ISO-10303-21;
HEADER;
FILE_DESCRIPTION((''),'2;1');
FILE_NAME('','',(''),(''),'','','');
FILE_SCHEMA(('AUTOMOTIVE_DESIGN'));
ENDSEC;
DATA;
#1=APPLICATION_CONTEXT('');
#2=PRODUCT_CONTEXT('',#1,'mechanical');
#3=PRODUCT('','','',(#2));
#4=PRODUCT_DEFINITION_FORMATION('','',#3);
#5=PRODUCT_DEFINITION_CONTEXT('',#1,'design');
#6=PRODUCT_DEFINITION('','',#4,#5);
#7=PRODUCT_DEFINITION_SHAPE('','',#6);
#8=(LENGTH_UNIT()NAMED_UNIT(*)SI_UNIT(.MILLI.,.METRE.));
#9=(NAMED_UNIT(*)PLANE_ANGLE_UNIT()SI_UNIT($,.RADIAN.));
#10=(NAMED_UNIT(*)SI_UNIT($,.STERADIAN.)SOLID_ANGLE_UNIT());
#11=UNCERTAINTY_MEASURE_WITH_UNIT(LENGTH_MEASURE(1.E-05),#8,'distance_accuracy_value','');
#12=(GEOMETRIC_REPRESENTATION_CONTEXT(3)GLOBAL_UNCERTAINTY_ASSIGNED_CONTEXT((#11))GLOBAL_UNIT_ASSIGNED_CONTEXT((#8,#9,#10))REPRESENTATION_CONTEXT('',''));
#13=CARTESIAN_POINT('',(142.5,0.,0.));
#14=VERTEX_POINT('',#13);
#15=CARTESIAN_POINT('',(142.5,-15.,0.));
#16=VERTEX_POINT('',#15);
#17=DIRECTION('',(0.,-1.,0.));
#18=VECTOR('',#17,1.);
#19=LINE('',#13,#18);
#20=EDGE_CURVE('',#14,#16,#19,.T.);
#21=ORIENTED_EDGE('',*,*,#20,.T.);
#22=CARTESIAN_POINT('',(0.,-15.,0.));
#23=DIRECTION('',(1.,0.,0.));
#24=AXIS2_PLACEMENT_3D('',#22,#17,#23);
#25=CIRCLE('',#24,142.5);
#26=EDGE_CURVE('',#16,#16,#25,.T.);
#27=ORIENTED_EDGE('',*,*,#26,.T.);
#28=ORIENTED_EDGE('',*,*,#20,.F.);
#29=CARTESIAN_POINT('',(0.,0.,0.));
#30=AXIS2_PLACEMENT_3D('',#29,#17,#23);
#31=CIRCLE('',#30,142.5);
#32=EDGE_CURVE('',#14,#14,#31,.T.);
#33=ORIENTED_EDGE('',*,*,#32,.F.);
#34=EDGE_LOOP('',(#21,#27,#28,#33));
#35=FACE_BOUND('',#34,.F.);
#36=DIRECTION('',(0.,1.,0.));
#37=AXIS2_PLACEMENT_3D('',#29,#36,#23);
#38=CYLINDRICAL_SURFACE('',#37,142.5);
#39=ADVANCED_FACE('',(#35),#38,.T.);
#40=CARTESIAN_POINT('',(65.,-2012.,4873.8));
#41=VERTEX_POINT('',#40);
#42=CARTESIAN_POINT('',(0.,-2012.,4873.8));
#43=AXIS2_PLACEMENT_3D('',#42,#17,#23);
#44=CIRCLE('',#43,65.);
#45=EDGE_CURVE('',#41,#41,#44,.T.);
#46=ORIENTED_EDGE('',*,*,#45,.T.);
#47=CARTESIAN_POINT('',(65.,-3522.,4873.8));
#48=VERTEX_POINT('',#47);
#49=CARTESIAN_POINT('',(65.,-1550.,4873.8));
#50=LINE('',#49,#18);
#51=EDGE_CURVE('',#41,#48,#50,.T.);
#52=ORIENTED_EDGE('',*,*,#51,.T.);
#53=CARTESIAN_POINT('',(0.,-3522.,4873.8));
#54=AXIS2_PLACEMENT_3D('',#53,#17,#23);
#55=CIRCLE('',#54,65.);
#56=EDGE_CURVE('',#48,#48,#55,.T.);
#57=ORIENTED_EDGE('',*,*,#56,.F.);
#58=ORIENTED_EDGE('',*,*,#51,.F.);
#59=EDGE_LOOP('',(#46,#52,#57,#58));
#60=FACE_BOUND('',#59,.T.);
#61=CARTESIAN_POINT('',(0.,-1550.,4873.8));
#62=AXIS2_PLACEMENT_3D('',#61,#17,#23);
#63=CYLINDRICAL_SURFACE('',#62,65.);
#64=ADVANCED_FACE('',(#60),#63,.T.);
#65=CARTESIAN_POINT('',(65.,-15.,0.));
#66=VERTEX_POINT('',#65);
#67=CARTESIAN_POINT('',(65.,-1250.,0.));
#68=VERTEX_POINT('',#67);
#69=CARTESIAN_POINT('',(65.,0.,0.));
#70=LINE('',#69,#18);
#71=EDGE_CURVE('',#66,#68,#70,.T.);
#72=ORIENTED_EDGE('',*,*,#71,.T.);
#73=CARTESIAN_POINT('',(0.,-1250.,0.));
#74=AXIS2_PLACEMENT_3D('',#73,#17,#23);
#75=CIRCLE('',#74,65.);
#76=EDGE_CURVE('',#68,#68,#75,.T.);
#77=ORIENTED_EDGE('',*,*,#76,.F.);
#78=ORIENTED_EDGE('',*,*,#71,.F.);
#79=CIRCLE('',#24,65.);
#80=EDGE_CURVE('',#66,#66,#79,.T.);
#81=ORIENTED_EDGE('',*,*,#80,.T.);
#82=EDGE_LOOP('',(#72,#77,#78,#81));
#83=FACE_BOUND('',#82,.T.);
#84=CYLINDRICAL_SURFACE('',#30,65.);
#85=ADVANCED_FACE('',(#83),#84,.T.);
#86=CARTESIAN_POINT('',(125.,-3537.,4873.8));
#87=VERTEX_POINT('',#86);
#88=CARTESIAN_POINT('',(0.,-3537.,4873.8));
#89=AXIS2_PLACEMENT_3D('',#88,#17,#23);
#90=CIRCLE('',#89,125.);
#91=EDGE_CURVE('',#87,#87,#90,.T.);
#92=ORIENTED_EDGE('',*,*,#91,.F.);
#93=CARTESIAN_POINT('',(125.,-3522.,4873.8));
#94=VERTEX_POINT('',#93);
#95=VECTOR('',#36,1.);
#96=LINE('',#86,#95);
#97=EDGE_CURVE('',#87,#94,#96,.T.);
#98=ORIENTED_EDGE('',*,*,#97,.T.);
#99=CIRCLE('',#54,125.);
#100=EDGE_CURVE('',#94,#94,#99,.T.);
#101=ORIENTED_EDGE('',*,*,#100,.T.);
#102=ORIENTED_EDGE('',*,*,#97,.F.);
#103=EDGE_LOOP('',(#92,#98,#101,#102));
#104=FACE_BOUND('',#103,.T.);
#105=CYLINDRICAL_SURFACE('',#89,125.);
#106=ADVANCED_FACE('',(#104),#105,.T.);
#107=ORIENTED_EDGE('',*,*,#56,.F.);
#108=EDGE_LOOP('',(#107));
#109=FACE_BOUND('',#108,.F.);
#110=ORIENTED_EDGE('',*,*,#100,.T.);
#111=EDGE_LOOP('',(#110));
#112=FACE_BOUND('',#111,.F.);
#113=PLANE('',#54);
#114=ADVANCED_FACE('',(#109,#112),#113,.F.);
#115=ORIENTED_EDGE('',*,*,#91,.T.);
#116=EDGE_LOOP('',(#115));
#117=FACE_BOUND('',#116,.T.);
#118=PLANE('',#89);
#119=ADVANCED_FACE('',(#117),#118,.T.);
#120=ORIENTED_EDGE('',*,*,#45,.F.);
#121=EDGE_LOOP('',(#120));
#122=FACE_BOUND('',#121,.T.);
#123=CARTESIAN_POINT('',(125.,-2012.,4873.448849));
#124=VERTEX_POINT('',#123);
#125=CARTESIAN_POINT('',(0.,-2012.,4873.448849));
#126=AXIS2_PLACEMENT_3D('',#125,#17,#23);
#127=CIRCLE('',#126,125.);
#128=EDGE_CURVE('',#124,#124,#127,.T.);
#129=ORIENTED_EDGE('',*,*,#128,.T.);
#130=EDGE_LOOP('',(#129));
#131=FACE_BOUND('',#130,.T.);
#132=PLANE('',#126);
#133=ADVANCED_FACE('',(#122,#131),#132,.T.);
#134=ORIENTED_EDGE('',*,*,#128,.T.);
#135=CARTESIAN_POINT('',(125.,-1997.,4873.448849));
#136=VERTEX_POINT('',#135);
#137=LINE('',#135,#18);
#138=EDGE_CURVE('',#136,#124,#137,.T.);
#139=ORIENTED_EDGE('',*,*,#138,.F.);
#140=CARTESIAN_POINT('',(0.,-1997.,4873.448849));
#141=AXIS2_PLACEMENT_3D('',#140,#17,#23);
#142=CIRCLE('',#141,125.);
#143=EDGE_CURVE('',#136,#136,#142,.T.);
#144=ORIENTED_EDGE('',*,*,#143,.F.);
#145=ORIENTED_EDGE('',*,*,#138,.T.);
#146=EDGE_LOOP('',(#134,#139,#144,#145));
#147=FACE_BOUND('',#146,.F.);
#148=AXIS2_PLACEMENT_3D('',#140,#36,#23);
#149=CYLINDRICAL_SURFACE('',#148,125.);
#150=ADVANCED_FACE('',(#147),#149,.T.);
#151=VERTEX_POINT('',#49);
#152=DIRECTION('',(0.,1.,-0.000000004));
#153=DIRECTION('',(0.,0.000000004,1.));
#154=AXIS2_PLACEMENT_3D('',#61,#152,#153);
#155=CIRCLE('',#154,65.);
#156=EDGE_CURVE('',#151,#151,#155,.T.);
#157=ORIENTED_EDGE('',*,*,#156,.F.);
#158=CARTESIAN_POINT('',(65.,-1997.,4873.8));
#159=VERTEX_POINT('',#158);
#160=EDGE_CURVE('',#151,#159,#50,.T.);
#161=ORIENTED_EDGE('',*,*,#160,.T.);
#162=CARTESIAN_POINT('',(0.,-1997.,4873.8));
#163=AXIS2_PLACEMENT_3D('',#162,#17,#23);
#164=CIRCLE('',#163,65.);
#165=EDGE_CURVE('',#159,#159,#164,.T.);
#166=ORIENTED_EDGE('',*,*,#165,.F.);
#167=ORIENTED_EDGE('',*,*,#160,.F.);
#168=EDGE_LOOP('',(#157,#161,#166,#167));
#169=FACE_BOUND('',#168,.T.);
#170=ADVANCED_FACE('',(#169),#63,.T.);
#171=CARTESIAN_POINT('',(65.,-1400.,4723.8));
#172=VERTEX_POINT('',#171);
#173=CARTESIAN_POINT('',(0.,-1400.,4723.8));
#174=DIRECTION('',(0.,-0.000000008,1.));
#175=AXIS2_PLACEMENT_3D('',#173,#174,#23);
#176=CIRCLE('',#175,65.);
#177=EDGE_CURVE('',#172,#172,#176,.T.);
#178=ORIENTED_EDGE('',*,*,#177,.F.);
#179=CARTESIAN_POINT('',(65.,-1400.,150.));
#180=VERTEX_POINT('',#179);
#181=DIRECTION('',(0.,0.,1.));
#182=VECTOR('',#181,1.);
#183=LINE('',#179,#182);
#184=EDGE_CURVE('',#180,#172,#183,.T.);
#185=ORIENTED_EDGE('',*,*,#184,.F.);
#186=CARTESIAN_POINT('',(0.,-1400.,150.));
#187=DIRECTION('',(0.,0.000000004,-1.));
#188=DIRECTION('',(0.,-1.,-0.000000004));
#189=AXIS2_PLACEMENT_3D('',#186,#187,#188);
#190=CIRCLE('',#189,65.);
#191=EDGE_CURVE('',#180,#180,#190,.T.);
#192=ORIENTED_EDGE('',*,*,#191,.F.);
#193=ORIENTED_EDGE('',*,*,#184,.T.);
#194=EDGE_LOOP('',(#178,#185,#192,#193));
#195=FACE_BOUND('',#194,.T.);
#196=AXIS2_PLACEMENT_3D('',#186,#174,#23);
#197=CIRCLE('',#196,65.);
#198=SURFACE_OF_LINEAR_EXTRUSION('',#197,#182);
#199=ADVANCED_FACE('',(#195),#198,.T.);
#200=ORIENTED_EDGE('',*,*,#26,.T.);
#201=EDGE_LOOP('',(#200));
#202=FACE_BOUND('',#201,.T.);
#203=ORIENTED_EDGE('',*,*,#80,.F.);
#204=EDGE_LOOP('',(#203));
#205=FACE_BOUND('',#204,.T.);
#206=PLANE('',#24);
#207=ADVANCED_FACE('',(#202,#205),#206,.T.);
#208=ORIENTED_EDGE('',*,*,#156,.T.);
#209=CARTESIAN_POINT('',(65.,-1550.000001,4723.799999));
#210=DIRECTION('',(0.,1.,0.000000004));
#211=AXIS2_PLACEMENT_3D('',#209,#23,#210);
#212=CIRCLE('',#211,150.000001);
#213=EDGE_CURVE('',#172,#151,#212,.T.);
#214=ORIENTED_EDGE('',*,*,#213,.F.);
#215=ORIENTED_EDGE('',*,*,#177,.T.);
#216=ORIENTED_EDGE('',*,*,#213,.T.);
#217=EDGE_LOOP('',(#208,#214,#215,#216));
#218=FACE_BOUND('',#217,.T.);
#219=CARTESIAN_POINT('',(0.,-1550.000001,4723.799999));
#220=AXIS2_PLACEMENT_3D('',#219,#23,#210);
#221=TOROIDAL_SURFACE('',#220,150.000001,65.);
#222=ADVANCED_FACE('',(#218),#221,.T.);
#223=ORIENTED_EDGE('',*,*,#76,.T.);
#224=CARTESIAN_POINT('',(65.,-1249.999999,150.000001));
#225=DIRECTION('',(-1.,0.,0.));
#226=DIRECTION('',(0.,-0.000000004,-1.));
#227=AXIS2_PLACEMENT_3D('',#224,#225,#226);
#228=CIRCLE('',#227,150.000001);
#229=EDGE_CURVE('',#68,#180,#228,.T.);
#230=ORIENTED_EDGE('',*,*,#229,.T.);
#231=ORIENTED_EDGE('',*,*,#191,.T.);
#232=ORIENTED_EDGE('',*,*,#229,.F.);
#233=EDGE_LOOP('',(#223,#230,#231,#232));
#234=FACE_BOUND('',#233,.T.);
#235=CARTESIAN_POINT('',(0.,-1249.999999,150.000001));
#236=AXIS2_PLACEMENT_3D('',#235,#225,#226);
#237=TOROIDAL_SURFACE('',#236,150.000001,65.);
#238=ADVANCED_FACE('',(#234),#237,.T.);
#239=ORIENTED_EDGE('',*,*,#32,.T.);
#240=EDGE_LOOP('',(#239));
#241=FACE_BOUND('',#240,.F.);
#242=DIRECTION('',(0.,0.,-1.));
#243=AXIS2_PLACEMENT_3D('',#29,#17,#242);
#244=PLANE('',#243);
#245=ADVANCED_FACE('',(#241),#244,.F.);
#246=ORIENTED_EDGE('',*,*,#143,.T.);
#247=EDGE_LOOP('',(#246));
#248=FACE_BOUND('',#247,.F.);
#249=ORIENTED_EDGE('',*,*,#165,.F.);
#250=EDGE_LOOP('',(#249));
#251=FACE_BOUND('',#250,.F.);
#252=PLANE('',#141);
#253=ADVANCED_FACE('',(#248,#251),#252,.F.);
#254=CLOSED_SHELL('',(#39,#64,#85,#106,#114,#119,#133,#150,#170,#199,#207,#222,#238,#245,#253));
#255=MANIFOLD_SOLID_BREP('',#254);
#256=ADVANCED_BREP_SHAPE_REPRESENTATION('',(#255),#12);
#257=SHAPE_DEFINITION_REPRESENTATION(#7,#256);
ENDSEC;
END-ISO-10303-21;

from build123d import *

# Parameters (mm, degrees)
F0_R      = 142.5
F5_DEPTH  = 15
F2_R      = 65
F4_R      = 125
F7_DEPTH  = 15
F9_R      = 125
F10_DEPTH = 15


with BuildPart() as f5:
    # F0 (on Front) → F5 (new body)
    with BuildSketch(Plane.XZ):
        Circle(F0_R)
    extrude(amount=F5_DEPTH)

    # F6: sweep along a path in F1
    with BuildLine(Plane.YZ) as f6_path:
        Line((0, 0), (-1250, 0))
        ThreePointArc((-1250, 0), (-1356.066017, 43.933983), (-1400, 150))
        Line((-1400, 150), (-1400, 4723.8))
        ThreePointArc((-1400, 4723.8), (-1443.933983, 4829.866017), (-1550, 4873.8))
        Line((-1550, 4873.8), (-3537, 4873.8))
    # F2 (on Front) → F6 (sweep)
    with BuildSketch(Plane.XZ):
        Circle(F2_R)
    sweep(path=f6_path.line)

    # F4 (on offset) → F7 (join)
    with BuildSketch(Plane.XZ.offset(3537)):
        with Locations((0, 4873.8)):
            Circle(F4_R)
    extrude(amount=-F7_DEPTH)

    # F9 (on offset) → F10 (join)
    with BuildSketch(Plane.XZ.offset(1997)):
        with Locations((0, 4873.448849)):
            Circle(F9_R)
    extrude(amount=F10_DEPTH)


solid = f5.part
